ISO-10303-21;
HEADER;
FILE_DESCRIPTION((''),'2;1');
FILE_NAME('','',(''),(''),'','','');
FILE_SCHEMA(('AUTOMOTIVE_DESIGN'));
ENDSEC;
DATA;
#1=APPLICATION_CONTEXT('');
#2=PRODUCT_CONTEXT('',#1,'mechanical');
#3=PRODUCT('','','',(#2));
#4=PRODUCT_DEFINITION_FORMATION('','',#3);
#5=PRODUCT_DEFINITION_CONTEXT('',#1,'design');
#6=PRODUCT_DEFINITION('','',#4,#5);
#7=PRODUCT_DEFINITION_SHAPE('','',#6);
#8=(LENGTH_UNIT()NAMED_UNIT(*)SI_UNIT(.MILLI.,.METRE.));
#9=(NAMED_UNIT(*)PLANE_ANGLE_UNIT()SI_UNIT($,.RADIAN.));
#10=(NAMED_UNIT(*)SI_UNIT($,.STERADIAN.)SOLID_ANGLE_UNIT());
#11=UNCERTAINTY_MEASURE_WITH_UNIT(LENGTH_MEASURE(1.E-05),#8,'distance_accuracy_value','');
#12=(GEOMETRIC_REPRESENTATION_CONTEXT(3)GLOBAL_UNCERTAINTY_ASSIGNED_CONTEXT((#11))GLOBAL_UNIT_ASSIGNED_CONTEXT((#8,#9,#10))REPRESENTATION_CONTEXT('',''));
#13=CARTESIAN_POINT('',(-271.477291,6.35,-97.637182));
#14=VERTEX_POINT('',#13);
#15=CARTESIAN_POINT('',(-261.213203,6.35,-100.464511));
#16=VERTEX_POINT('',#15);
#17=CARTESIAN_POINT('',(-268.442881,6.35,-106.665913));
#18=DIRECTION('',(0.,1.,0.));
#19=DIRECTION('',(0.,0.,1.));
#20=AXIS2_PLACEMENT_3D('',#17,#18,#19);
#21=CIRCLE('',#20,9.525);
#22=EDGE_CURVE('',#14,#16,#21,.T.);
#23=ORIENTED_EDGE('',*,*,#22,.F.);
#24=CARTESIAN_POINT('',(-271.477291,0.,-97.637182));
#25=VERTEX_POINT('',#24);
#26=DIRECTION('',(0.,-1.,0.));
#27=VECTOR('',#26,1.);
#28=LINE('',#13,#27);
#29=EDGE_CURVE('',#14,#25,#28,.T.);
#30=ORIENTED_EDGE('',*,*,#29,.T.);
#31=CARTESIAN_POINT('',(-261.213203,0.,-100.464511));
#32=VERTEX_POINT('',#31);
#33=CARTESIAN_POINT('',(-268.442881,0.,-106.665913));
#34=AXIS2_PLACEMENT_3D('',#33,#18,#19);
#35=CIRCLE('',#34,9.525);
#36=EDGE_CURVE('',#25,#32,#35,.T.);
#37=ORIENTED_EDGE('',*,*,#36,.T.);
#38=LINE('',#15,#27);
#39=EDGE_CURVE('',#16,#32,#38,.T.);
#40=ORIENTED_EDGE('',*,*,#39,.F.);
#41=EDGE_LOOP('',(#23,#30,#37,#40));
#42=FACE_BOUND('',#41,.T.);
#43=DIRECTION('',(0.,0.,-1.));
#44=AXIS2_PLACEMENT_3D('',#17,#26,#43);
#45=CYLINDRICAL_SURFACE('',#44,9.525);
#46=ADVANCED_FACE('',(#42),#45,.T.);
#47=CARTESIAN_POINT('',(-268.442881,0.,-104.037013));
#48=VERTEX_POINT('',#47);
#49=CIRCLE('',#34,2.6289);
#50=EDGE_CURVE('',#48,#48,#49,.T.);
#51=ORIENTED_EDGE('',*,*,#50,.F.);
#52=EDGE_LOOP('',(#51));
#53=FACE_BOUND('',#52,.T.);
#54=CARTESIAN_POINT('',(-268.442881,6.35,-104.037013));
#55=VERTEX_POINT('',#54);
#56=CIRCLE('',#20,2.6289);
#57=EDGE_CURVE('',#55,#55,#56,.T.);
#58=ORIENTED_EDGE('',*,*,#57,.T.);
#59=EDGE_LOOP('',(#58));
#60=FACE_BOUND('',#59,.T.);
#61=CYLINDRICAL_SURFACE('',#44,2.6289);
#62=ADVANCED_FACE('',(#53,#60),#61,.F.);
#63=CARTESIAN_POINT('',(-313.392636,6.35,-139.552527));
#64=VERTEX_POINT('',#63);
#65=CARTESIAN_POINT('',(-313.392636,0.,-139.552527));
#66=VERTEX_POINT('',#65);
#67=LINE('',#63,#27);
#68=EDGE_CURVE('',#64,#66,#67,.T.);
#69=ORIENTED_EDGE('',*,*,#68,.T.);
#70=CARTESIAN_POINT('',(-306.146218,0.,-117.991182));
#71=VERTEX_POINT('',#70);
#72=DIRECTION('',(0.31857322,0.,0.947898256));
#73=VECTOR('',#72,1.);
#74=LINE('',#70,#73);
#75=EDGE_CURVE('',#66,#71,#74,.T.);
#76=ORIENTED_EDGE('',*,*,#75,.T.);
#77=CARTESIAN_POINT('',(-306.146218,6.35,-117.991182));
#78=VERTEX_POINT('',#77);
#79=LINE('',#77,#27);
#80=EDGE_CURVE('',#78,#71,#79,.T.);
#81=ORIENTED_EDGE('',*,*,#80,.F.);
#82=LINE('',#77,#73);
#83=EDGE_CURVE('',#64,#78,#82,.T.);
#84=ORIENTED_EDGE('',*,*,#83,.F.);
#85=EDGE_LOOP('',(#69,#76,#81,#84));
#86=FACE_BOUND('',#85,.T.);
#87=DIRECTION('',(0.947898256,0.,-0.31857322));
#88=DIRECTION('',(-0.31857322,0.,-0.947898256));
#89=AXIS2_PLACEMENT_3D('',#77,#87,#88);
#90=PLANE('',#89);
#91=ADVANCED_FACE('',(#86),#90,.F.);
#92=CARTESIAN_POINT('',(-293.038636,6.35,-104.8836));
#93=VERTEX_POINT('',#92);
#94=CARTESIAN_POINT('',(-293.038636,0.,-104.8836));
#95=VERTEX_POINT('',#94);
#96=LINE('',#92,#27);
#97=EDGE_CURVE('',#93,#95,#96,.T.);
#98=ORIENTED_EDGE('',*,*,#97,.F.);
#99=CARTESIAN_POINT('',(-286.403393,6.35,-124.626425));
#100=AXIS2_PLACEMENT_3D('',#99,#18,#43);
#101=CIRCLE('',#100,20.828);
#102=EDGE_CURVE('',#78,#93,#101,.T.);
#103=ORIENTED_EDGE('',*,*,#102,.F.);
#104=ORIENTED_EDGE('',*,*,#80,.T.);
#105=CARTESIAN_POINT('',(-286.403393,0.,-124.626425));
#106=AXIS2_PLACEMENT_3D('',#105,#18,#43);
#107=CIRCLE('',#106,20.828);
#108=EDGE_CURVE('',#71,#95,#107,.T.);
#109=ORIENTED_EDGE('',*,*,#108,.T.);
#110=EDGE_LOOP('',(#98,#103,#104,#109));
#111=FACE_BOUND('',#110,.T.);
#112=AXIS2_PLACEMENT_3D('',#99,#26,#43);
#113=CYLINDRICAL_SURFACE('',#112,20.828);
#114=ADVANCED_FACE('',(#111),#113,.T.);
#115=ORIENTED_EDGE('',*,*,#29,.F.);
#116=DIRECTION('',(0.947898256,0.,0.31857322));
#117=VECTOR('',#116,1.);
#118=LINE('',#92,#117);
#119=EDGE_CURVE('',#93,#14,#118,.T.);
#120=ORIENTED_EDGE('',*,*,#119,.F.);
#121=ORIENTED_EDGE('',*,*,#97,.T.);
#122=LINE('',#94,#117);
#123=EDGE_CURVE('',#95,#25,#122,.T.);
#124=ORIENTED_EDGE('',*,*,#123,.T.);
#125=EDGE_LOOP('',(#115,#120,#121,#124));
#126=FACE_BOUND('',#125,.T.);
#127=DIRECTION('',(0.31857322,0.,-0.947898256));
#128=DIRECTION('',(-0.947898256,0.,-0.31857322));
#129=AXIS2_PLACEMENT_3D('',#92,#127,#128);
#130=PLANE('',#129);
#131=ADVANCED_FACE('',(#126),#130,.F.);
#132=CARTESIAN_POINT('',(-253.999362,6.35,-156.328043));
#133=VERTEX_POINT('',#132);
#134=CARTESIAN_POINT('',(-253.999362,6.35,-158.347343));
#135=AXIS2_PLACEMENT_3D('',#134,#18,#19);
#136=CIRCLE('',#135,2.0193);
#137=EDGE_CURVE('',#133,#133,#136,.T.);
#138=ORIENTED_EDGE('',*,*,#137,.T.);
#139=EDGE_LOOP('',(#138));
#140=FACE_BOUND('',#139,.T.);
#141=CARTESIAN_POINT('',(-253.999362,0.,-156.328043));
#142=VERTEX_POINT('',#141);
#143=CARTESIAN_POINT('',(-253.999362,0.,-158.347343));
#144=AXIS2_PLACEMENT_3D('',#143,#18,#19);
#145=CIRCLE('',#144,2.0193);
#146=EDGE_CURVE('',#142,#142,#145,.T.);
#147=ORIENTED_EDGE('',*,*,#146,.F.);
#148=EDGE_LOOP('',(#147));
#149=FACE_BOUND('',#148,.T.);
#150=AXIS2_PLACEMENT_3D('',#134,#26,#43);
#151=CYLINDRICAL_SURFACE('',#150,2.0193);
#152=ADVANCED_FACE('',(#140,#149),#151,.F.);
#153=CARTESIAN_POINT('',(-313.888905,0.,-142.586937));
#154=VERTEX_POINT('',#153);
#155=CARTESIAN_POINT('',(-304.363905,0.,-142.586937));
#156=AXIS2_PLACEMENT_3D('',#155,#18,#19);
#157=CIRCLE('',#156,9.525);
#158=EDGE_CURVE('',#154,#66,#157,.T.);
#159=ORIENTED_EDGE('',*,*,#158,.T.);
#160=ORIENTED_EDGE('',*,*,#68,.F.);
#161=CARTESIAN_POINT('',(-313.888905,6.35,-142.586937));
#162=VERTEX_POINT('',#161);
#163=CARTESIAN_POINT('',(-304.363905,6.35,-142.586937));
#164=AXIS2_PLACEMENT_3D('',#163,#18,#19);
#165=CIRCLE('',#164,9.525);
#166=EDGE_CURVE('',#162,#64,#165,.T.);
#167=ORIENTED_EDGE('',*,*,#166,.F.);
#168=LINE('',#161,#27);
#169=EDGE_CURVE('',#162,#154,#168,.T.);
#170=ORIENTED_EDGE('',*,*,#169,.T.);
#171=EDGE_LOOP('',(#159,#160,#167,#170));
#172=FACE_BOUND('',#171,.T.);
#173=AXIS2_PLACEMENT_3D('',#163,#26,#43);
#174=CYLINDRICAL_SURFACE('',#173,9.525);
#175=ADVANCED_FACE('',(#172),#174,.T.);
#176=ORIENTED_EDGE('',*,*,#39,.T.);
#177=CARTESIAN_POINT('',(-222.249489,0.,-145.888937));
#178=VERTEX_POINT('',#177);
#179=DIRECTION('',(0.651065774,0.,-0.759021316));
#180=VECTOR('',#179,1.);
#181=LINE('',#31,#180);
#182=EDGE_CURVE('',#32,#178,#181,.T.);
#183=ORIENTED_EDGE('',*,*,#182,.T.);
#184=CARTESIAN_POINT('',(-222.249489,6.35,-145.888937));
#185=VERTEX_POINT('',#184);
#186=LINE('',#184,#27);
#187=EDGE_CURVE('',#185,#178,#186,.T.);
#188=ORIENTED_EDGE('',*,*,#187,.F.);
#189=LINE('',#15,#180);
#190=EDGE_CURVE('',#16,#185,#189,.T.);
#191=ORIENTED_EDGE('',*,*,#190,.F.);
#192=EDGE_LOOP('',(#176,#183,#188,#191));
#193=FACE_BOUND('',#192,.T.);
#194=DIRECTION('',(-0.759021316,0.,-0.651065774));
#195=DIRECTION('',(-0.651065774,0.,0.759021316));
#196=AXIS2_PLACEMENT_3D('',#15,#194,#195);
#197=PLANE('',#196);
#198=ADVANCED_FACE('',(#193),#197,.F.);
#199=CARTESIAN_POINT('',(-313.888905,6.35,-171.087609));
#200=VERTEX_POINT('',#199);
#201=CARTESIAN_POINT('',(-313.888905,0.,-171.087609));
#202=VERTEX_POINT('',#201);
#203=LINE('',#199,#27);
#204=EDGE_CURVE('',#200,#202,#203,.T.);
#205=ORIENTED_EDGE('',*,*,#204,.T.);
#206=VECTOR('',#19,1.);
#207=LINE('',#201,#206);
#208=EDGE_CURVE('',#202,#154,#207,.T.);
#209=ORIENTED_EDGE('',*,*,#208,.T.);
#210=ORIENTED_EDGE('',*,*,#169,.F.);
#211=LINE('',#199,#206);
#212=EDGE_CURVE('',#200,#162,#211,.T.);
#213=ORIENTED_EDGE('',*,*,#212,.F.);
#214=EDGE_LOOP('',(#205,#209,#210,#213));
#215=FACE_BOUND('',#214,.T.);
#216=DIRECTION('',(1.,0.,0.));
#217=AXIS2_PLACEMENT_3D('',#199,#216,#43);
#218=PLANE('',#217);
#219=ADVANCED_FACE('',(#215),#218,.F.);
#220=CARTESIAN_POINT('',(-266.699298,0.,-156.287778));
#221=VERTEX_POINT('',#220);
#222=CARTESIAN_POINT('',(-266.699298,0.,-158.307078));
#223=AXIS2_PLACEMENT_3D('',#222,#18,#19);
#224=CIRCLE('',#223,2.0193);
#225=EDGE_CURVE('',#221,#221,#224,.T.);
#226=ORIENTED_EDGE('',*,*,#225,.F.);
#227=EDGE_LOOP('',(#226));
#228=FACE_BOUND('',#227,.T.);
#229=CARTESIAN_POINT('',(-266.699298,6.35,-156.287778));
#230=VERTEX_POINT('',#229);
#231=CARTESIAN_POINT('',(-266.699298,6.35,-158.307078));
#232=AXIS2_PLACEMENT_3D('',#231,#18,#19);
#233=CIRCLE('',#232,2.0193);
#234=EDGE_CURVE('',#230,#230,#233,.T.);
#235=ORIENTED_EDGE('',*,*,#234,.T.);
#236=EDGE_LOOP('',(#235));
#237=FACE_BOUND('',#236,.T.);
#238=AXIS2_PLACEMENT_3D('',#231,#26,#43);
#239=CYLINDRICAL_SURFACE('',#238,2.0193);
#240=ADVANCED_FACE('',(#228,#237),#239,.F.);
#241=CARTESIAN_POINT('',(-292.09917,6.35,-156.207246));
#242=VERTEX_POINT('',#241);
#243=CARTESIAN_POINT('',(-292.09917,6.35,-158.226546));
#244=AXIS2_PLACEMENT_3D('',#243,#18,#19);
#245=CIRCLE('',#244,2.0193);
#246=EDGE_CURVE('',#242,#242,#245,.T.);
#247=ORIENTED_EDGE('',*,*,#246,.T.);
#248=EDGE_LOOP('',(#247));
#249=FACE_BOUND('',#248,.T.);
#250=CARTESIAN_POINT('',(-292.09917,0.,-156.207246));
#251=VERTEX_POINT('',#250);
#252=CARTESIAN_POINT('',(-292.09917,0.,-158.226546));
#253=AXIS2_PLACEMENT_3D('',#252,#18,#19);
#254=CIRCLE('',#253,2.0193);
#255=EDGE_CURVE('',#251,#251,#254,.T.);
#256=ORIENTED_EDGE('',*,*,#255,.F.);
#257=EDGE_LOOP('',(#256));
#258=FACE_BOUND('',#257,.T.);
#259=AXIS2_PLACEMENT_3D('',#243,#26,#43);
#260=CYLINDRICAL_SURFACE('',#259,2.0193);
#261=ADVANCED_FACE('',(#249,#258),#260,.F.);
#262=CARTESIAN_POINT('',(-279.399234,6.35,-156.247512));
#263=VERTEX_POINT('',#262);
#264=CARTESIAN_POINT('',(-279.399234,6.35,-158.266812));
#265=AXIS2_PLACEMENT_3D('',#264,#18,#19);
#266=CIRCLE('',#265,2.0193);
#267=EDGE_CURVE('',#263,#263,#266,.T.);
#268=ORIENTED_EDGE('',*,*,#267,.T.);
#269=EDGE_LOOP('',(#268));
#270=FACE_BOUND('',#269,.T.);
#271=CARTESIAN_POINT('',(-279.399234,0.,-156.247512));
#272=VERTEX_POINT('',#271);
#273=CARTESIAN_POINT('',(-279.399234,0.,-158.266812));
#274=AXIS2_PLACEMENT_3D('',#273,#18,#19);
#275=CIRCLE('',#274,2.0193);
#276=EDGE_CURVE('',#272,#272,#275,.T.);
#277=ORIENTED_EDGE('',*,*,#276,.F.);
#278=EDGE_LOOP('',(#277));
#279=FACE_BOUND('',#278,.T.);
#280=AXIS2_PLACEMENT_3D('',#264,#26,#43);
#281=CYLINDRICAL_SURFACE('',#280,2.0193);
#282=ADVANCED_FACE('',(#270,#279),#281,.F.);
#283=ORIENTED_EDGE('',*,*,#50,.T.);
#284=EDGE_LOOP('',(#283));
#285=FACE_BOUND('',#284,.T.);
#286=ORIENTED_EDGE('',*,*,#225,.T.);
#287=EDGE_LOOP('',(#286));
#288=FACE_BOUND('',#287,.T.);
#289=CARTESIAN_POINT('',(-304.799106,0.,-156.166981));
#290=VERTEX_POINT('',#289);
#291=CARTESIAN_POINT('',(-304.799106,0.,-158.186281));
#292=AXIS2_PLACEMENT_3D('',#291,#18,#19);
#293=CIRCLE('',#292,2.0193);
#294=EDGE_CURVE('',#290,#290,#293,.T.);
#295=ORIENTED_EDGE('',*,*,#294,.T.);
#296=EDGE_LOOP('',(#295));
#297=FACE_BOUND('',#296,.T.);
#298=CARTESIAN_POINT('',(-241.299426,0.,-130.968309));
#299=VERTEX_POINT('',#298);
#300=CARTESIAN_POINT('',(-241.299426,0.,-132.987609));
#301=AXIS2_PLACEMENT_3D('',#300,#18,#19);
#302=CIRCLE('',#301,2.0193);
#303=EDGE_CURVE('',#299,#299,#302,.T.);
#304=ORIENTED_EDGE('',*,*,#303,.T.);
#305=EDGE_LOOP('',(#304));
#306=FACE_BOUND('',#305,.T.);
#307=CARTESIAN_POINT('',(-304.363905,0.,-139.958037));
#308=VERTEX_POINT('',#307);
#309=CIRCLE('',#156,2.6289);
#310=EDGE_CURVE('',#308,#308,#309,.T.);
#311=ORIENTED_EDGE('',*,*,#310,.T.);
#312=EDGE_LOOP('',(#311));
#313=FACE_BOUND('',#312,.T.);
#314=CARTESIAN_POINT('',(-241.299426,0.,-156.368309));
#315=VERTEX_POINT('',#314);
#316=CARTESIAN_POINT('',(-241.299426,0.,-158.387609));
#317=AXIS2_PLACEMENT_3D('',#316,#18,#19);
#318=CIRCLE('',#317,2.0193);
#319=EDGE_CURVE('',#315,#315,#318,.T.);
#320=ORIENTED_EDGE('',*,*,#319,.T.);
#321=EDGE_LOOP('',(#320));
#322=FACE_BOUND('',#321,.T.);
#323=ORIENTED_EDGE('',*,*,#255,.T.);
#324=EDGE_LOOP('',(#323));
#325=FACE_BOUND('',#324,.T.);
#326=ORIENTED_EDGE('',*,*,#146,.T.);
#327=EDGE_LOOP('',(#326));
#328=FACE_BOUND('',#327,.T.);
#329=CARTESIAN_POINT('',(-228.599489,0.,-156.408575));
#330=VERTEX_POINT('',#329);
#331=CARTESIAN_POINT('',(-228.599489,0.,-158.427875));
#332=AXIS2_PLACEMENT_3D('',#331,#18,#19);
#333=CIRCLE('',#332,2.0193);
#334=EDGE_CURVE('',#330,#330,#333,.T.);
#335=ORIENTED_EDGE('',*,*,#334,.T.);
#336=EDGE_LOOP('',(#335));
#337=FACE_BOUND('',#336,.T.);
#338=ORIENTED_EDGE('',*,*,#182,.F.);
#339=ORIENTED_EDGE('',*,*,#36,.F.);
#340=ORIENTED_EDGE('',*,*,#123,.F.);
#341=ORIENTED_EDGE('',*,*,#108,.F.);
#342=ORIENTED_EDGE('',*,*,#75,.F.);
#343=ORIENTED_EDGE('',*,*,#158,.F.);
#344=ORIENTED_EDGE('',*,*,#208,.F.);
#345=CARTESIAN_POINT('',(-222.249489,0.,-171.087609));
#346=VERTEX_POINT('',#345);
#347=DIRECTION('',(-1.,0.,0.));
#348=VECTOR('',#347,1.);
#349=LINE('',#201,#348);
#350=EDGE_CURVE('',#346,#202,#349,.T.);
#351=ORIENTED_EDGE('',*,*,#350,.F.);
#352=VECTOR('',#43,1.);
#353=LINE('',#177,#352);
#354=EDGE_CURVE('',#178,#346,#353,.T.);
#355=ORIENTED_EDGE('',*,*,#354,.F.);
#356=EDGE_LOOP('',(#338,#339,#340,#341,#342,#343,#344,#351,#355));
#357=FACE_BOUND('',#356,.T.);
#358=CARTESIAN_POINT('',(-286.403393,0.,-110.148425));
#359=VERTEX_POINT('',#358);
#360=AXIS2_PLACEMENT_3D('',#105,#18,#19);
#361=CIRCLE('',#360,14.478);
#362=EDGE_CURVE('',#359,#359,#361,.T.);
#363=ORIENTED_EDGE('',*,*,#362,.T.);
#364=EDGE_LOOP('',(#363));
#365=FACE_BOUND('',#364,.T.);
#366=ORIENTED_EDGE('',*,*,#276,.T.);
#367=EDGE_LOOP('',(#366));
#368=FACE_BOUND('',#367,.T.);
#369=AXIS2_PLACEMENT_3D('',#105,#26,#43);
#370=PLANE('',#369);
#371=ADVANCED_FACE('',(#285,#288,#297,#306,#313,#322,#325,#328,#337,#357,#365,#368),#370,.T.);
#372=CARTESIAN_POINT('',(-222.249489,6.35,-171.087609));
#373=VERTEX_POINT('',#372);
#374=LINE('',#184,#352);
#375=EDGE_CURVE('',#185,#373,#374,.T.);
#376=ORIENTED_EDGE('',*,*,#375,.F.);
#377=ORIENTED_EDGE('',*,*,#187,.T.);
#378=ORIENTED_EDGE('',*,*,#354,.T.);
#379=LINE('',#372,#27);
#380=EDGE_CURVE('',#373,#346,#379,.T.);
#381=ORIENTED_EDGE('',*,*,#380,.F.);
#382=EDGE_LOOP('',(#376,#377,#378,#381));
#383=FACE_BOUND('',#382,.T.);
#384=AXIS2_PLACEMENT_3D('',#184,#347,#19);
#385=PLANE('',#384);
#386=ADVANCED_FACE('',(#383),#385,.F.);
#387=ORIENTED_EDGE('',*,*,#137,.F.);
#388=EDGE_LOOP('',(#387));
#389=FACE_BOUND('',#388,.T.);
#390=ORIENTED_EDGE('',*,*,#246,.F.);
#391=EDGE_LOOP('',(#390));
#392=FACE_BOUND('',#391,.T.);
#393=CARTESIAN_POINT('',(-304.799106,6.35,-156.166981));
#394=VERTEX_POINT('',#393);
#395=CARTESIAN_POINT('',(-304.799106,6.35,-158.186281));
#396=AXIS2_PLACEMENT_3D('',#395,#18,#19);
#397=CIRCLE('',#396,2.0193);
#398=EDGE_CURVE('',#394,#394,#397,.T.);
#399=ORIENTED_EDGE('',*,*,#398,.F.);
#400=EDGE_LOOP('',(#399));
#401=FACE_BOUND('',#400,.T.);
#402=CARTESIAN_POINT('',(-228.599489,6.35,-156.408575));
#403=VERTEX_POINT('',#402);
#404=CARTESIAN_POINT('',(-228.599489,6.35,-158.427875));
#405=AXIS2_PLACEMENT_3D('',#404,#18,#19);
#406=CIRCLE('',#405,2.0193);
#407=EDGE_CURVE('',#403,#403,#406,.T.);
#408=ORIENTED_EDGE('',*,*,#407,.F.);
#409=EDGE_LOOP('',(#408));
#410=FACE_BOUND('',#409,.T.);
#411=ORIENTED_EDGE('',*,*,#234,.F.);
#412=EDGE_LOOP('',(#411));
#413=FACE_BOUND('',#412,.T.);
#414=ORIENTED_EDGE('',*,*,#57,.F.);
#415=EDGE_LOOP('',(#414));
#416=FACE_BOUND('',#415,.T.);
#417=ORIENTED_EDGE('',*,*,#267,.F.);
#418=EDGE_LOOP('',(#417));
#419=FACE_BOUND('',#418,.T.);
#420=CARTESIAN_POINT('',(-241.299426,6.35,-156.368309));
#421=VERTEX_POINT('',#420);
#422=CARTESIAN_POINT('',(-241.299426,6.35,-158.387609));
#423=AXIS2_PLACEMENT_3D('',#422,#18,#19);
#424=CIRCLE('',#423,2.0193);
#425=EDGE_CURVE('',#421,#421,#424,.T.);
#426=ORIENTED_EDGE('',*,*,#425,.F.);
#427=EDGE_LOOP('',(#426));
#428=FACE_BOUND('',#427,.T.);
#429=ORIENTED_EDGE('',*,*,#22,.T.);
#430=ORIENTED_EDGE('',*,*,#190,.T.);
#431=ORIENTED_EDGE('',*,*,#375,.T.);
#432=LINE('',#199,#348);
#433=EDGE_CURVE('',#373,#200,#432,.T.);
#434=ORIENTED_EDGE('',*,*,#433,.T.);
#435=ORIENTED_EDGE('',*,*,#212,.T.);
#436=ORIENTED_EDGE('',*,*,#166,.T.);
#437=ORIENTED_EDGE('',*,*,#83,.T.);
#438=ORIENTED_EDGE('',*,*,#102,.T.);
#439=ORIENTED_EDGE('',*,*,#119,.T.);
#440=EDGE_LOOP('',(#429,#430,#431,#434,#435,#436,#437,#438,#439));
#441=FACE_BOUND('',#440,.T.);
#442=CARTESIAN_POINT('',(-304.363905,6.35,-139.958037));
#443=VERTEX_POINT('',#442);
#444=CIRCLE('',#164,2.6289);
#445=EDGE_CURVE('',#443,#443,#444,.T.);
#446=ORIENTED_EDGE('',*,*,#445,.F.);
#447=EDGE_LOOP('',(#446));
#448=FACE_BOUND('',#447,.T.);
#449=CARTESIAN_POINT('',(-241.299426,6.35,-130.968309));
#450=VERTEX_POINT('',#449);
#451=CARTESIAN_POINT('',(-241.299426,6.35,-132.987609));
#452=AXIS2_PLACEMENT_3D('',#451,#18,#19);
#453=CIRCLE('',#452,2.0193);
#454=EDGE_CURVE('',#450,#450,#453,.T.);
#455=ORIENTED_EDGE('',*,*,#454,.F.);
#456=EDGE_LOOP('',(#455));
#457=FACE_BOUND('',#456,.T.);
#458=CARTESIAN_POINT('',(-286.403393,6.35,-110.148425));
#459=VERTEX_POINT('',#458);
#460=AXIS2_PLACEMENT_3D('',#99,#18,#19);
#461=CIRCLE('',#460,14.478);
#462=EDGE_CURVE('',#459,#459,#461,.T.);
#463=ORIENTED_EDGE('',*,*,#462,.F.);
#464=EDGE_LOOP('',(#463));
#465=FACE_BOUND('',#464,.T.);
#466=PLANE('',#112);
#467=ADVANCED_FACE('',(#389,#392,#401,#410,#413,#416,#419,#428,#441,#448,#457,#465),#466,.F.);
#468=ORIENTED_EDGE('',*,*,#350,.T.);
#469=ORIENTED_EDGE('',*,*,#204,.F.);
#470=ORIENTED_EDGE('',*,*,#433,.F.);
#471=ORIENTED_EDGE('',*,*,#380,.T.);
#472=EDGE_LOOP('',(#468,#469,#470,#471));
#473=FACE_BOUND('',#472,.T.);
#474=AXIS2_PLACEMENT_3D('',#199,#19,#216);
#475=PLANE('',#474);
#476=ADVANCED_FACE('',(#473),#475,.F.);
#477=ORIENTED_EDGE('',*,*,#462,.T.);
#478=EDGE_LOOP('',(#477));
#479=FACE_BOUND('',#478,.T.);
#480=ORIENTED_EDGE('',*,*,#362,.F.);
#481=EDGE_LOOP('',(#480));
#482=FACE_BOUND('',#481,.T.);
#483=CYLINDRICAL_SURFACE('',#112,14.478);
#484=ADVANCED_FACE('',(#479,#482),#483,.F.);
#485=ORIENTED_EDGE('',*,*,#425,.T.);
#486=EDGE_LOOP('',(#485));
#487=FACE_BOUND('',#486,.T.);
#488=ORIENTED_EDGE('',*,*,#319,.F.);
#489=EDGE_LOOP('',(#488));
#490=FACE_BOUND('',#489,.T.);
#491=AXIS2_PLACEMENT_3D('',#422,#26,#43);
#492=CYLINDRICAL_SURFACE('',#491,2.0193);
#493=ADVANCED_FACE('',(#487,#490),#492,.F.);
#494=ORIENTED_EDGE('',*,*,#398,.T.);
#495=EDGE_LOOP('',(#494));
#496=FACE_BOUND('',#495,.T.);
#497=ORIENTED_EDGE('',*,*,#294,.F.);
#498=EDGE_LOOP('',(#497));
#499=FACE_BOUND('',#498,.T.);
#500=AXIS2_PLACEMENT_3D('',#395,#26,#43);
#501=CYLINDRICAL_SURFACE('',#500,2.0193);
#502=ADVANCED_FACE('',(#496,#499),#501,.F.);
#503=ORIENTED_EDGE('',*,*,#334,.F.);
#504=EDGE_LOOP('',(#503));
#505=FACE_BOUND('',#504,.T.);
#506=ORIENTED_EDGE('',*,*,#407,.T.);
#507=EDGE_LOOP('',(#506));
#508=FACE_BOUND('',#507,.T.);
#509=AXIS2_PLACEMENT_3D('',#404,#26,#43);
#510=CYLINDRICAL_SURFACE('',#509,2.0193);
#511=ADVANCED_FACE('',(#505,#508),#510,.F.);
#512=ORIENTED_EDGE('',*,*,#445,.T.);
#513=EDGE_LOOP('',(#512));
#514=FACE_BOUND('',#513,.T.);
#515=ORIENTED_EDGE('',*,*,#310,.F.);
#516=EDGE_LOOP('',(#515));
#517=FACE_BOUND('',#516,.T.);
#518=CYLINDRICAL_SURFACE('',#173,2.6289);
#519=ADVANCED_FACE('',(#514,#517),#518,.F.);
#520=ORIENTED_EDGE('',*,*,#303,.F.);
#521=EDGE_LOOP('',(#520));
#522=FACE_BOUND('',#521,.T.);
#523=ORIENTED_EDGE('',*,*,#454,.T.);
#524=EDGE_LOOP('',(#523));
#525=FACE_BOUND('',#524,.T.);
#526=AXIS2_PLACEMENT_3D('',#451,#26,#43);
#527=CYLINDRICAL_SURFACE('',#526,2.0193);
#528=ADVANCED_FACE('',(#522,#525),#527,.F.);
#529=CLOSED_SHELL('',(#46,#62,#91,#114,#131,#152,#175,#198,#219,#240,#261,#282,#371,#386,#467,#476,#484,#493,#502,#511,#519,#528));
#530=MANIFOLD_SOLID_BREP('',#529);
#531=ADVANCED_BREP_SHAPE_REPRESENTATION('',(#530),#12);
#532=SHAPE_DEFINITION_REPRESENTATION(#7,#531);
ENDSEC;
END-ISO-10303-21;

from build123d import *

# Parameters (mm, degrees)
SKETCH1_R           = 2.0193
SKETCH1_R_2         = 14.478
SKETCH1_R_3         = 2.6289
BOSS_EXTRUDE1_DEPTH = 6.35


with BuildPart() as part:
    # Sketch1 → Boss-Extrude1 (new body)
    with BuildSketch(Plane(origin=(0, 0, 0), x_dir=(1, 0, 0), z_dir=(0, 1, 0))):
        with BuildLine():
            Line((-313.888905321, 171.087609001), (-222.249489346, 171.087609001))
            Line((-222.249489346, 171.087609001), (-222.249489346, 145.888937334))
            Line((-222.249489346, 145.888937334), (-261.213202804, 100.464511352))
            ThreePointArc((-261.213202804, 100.464511352), (-265.91335193, 97.482933567), (-271.477290762, 97.637181964))
            Line((-271.477290762, 97.637181964), (-293.038636115, 104.883600221))
            ThreePointArc((-293.038636115, 104.883600221), (-301.131013118, 109.898805053), (-306.14621795, 117.991182056))
            Line((-306.14621795, 117.991182056), (-313.392636207, 139.552527409))
            ThreePointArc((-313.392636207, 139.552527409), (-313.764019328, 141.049575419), (-313.888905321, 142.586937334))
            Line((-313.888905321, 142.586937334), (-313.888905321, 171.087609001))
        make_face()
        with Locations((-228.599489346, 158.427874667)):
            Circle(SKETCH1_R, mode=Mode.SUBTRACT)
        with Locations((-241.299425514, 158.387609001)):
            Circle(SKETCH1_R, mode=Mode.SUBTRACT)
        with Locations((-253.999361682, 158.347343334)):
            Circle(SKETCH1_R, mode=Mode.SUBTRACT)
        with Locations((-266.69929785, 158.307077667)):
            Circle(SKETCH1_R, mode=Mode.SUBTRACT)
        with Locations((-279.399234018, 158.266812001)):
            Circle(SKETCH1_R, mode=Mode.SUBTRACT)
        with Locations((-292.099170186, 158.226546334)):
            Circle(SKETCH1_R, mode=Mode.SUBTRACT)
        with Locations((-304.799106355, 158.186280667)):
            Circle(SKETCH1_R, mode=Mode.SUBTRACT)
        with Locations((-286.403393079, 124.626425091)):
            Circle(SKETCH1_R_2, mode=Mode.SUBTRACT)
        with Locations((-268.442880837, 106.665912849)):
            Circle(SKETCH1_R_3, mode=Mode.SUBTRACT)
        with Locations((-304.363905321, 142.586937334)):
            Circle(SKETCH1_R_3, mode=Mode.SUBTRACT)
        with Locations((-241.299425514, 132.987609001)):
            Circle(SKETCH1_R, mode=Mode.SUBTRACT)
    extrude(amount=BOSS_EXTRUDE1_DEPTH)


solid = part.part
